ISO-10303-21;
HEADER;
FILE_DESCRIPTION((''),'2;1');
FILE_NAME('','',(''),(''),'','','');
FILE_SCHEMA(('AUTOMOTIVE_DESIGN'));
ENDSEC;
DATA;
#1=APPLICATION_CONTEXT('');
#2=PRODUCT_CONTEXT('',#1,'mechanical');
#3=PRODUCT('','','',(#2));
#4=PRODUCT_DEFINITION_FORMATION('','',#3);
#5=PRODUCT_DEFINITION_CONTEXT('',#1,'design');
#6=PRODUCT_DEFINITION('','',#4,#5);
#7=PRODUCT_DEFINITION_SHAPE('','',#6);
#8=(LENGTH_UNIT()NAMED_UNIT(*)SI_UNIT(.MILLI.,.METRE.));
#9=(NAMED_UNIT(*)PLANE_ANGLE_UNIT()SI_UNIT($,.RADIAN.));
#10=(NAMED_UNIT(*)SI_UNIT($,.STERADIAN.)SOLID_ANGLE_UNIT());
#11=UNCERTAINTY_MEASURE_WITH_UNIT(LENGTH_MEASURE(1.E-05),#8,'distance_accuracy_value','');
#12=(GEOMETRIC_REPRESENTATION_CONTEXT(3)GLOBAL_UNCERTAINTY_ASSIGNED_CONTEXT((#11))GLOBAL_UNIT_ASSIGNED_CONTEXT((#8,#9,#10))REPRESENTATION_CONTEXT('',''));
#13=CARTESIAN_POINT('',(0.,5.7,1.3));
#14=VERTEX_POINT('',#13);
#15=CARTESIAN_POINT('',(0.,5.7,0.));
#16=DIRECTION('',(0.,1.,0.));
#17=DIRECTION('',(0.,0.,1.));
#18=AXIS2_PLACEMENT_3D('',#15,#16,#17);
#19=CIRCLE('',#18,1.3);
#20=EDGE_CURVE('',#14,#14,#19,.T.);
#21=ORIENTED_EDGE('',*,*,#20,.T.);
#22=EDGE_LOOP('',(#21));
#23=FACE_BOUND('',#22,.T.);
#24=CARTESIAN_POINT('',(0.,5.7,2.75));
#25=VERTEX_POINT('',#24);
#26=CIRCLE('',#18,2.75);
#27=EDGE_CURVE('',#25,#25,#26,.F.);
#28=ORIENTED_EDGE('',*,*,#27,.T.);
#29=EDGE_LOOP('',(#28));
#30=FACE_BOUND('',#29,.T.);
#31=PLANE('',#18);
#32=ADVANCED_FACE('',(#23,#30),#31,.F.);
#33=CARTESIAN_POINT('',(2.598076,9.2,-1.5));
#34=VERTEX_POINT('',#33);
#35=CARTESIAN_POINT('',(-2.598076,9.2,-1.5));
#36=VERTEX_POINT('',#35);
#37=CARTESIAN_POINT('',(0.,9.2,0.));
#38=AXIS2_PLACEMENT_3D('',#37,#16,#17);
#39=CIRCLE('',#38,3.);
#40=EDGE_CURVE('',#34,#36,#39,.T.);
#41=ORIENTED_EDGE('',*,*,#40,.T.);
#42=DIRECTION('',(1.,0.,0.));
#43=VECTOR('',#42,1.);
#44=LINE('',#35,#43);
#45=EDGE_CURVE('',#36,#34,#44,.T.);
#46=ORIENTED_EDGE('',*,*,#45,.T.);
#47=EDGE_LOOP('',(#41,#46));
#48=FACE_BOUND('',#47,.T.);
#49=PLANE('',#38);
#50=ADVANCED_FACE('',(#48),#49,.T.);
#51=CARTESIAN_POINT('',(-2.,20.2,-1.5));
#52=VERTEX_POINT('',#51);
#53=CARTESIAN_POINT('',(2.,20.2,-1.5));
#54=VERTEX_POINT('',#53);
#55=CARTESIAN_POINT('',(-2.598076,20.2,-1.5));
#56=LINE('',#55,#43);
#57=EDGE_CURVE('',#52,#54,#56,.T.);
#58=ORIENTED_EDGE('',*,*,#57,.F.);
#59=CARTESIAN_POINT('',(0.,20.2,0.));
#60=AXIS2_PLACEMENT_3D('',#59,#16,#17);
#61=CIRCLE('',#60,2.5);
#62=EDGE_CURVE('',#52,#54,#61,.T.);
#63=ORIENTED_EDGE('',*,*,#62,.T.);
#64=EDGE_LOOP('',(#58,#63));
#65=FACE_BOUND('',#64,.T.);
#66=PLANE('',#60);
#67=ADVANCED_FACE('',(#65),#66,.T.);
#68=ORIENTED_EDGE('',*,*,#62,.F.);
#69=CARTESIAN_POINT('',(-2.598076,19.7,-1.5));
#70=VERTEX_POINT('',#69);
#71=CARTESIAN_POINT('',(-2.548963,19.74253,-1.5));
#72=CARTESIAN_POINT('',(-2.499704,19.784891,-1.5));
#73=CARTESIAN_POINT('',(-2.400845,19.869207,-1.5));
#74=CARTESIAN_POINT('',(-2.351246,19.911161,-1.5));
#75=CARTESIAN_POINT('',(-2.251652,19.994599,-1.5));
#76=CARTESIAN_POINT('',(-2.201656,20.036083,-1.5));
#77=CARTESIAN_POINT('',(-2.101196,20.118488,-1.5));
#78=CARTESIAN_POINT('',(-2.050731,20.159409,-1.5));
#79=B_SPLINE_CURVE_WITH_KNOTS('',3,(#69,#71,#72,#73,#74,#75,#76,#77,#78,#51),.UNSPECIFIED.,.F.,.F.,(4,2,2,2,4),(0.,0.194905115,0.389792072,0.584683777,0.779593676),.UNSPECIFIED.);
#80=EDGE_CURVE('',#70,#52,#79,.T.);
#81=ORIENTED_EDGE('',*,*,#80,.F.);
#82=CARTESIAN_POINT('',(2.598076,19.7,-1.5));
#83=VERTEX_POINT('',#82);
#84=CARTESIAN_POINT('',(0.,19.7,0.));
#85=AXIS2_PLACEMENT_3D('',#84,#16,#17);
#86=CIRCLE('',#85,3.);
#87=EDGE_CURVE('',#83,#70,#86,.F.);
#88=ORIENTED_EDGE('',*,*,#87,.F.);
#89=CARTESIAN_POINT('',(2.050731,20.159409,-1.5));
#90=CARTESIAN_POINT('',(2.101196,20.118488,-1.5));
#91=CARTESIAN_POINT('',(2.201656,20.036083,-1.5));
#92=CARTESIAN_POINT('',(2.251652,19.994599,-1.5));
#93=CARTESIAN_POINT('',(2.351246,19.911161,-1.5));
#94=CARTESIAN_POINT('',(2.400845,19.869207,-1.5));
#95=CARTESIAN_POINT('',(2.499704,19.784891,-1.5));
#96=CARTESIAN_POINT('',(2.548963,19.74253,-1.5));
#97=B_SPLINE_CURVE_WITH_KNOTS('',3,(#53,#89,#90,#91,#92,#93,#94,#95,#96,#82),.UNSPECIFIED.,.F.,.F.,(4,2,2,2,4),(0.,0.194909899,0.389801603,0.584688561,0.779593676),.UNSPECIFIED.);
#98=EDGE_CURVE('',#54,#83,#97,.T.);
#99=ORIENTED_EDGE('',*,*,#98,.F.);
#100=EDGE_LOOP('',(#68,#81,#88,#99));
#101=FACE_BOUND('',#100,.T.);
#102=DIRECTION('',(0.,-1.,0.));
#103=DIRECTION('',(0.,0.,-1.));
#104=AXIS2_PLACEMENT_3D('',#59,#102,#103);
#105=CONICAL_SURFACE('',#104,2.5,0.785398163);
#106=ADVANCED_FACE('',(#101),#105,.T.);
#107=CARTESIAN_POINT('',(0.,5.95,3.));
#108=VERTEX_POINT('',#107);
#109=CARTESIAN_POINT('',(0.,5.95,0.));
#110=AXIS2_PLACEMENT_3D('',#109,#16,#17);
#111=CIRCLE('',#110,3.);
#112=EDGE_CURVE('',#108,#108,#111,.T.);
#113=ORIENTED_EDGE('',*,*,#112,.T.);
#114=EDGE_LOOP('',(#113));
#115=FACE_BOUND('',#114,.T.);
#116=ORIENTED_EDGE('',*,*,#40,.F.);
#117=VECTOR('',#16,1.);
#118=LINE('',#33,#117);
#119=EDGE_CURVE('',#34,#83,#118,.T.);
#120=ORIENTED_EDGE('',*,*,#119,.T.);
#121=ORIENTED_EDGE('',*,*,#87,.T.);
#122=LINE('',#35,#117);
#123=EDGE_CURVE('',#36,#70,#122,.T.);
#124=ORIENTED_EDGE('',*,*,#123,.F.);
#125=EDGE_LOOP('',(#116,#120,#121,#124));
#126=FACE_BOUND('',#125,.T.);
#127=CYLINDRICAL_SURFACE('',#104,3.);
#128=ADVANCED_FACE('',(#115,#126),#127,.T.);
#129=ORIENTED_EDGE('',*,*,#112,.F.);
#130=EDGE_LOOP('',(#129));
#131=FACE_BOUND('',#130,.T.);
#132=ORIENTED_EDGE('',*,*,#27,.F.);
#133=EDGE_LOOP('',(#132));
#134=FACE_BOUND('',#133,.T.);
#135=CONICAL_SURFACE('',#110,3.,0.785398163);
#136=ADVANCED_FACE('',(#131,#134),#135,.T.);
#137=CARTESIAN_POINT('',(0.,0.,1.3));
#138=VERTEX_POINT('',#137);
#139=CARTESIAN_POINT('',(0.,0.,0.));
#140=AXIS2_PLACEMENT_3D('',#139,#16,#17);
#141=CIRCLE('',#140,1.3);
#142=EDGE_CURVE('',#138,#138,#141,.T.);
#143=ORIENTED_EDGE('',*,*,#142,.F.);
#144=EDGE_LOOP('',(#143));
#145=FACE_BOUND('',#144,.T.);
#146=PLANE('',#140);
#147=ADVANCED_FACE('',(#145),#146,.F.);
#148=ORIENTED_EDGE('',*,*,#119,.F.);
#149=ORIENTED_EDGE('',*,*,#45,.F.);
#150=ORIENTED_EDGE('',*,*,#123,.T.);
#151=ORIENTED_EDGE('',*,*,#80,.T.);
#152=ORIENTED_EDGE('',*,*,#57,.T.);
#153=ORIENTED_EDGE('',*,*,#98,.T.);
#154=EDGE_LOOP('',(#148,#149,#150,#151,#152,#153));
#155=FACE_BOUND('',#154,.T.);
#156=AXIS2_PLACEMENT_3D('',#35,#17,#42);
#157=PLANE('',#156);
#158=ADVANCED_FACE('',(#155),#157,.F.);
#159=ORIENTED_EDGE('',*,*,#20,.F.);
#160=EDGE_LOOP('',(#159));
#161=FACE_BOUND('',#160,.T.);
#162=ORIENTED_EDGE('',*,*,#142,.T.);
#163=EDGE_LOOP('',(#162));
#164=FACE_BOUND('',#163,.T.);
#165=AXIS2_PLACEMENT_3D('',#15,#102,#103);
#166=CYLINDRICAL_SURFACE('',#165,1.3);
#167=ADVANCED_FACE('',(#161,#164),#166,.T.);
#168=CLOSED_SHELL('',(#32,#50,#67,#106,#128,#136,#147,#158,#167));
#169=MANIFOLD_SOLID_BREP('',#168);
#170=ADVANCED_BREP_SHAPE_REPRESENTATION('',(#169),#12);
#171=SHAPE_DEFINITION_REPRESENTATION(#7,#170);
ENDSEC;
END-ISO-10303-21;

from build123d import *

# Parameters (mm, degrees)
SKETCH_1_R          = 1.3
EXTRUDE_1_DEPTH     = 5.7
SKETCH_2_R          = 3
EXTRUDE_2_DEPTH     = 14.5
CHAMFER_1_SIZE      = 0.25
CUT_EXTRUDE_1_DEPTH = 11
CHAMFER_2_SIZE      = 0.5


with BuildPart() as part:
    # 草图1 → 凸台-拉伸1 (new body)
    with BuildSketch(Plane(origin=(0, 0, 0), x_dir=(1, 0, 0), z_dir=(0, 1, 0))):
        Circle(SKETCH_1_R)
    extrude(amount=EXTRUDE_1_DEPTH)

    # 草图2 → 凸台-拉伸2 (add)
    with BuildSketch(Plane(origin=(0, 5.7, 0), x_dir=(1, 0, 0), z_dir=(0, 1, 0))):
        Circle(SKETCH_2_R)
    extrude(amount=EXTRUDE_2_DEPTH)

    # 倒角1
    chamfer_1_edges = [part.edges().sort_by_distance(p)[0] for p in [
        (-3, 5.7, 0),
    ]]
    chamfer(chamfer_1_edges, length=CHAMFER_1_SIZE)

    # 草图3 → 切除-拉伸1 (cut)
    with BuildSketch(Plane(origin=(0, 20.2, 0), x_dir=(1, 0, 0), z_dir=(0, 1, 0))):
        with BuildLine():
            Line((-2.598076211, 1.5), (2.598076211, 1.5))
            ThreePointArc((2.598076211, 1.5), (0, 3), (-2.598076211, 1.5))
        make_face()
    extrude(amount=-CUT_EXTRUDE_1_DEPTH, mode=Mode.SUBTRACT)

    # 倒角2
    chamfer_2_edges = [part.edges().sort_by_distance(p)[0] for p in [
        (-0.776457135, 20.2, 2.897777479),
    ]]
    chamfer(chamfer_2_edges, length=CHAMFER_2_SIZE)


solid = part.part
